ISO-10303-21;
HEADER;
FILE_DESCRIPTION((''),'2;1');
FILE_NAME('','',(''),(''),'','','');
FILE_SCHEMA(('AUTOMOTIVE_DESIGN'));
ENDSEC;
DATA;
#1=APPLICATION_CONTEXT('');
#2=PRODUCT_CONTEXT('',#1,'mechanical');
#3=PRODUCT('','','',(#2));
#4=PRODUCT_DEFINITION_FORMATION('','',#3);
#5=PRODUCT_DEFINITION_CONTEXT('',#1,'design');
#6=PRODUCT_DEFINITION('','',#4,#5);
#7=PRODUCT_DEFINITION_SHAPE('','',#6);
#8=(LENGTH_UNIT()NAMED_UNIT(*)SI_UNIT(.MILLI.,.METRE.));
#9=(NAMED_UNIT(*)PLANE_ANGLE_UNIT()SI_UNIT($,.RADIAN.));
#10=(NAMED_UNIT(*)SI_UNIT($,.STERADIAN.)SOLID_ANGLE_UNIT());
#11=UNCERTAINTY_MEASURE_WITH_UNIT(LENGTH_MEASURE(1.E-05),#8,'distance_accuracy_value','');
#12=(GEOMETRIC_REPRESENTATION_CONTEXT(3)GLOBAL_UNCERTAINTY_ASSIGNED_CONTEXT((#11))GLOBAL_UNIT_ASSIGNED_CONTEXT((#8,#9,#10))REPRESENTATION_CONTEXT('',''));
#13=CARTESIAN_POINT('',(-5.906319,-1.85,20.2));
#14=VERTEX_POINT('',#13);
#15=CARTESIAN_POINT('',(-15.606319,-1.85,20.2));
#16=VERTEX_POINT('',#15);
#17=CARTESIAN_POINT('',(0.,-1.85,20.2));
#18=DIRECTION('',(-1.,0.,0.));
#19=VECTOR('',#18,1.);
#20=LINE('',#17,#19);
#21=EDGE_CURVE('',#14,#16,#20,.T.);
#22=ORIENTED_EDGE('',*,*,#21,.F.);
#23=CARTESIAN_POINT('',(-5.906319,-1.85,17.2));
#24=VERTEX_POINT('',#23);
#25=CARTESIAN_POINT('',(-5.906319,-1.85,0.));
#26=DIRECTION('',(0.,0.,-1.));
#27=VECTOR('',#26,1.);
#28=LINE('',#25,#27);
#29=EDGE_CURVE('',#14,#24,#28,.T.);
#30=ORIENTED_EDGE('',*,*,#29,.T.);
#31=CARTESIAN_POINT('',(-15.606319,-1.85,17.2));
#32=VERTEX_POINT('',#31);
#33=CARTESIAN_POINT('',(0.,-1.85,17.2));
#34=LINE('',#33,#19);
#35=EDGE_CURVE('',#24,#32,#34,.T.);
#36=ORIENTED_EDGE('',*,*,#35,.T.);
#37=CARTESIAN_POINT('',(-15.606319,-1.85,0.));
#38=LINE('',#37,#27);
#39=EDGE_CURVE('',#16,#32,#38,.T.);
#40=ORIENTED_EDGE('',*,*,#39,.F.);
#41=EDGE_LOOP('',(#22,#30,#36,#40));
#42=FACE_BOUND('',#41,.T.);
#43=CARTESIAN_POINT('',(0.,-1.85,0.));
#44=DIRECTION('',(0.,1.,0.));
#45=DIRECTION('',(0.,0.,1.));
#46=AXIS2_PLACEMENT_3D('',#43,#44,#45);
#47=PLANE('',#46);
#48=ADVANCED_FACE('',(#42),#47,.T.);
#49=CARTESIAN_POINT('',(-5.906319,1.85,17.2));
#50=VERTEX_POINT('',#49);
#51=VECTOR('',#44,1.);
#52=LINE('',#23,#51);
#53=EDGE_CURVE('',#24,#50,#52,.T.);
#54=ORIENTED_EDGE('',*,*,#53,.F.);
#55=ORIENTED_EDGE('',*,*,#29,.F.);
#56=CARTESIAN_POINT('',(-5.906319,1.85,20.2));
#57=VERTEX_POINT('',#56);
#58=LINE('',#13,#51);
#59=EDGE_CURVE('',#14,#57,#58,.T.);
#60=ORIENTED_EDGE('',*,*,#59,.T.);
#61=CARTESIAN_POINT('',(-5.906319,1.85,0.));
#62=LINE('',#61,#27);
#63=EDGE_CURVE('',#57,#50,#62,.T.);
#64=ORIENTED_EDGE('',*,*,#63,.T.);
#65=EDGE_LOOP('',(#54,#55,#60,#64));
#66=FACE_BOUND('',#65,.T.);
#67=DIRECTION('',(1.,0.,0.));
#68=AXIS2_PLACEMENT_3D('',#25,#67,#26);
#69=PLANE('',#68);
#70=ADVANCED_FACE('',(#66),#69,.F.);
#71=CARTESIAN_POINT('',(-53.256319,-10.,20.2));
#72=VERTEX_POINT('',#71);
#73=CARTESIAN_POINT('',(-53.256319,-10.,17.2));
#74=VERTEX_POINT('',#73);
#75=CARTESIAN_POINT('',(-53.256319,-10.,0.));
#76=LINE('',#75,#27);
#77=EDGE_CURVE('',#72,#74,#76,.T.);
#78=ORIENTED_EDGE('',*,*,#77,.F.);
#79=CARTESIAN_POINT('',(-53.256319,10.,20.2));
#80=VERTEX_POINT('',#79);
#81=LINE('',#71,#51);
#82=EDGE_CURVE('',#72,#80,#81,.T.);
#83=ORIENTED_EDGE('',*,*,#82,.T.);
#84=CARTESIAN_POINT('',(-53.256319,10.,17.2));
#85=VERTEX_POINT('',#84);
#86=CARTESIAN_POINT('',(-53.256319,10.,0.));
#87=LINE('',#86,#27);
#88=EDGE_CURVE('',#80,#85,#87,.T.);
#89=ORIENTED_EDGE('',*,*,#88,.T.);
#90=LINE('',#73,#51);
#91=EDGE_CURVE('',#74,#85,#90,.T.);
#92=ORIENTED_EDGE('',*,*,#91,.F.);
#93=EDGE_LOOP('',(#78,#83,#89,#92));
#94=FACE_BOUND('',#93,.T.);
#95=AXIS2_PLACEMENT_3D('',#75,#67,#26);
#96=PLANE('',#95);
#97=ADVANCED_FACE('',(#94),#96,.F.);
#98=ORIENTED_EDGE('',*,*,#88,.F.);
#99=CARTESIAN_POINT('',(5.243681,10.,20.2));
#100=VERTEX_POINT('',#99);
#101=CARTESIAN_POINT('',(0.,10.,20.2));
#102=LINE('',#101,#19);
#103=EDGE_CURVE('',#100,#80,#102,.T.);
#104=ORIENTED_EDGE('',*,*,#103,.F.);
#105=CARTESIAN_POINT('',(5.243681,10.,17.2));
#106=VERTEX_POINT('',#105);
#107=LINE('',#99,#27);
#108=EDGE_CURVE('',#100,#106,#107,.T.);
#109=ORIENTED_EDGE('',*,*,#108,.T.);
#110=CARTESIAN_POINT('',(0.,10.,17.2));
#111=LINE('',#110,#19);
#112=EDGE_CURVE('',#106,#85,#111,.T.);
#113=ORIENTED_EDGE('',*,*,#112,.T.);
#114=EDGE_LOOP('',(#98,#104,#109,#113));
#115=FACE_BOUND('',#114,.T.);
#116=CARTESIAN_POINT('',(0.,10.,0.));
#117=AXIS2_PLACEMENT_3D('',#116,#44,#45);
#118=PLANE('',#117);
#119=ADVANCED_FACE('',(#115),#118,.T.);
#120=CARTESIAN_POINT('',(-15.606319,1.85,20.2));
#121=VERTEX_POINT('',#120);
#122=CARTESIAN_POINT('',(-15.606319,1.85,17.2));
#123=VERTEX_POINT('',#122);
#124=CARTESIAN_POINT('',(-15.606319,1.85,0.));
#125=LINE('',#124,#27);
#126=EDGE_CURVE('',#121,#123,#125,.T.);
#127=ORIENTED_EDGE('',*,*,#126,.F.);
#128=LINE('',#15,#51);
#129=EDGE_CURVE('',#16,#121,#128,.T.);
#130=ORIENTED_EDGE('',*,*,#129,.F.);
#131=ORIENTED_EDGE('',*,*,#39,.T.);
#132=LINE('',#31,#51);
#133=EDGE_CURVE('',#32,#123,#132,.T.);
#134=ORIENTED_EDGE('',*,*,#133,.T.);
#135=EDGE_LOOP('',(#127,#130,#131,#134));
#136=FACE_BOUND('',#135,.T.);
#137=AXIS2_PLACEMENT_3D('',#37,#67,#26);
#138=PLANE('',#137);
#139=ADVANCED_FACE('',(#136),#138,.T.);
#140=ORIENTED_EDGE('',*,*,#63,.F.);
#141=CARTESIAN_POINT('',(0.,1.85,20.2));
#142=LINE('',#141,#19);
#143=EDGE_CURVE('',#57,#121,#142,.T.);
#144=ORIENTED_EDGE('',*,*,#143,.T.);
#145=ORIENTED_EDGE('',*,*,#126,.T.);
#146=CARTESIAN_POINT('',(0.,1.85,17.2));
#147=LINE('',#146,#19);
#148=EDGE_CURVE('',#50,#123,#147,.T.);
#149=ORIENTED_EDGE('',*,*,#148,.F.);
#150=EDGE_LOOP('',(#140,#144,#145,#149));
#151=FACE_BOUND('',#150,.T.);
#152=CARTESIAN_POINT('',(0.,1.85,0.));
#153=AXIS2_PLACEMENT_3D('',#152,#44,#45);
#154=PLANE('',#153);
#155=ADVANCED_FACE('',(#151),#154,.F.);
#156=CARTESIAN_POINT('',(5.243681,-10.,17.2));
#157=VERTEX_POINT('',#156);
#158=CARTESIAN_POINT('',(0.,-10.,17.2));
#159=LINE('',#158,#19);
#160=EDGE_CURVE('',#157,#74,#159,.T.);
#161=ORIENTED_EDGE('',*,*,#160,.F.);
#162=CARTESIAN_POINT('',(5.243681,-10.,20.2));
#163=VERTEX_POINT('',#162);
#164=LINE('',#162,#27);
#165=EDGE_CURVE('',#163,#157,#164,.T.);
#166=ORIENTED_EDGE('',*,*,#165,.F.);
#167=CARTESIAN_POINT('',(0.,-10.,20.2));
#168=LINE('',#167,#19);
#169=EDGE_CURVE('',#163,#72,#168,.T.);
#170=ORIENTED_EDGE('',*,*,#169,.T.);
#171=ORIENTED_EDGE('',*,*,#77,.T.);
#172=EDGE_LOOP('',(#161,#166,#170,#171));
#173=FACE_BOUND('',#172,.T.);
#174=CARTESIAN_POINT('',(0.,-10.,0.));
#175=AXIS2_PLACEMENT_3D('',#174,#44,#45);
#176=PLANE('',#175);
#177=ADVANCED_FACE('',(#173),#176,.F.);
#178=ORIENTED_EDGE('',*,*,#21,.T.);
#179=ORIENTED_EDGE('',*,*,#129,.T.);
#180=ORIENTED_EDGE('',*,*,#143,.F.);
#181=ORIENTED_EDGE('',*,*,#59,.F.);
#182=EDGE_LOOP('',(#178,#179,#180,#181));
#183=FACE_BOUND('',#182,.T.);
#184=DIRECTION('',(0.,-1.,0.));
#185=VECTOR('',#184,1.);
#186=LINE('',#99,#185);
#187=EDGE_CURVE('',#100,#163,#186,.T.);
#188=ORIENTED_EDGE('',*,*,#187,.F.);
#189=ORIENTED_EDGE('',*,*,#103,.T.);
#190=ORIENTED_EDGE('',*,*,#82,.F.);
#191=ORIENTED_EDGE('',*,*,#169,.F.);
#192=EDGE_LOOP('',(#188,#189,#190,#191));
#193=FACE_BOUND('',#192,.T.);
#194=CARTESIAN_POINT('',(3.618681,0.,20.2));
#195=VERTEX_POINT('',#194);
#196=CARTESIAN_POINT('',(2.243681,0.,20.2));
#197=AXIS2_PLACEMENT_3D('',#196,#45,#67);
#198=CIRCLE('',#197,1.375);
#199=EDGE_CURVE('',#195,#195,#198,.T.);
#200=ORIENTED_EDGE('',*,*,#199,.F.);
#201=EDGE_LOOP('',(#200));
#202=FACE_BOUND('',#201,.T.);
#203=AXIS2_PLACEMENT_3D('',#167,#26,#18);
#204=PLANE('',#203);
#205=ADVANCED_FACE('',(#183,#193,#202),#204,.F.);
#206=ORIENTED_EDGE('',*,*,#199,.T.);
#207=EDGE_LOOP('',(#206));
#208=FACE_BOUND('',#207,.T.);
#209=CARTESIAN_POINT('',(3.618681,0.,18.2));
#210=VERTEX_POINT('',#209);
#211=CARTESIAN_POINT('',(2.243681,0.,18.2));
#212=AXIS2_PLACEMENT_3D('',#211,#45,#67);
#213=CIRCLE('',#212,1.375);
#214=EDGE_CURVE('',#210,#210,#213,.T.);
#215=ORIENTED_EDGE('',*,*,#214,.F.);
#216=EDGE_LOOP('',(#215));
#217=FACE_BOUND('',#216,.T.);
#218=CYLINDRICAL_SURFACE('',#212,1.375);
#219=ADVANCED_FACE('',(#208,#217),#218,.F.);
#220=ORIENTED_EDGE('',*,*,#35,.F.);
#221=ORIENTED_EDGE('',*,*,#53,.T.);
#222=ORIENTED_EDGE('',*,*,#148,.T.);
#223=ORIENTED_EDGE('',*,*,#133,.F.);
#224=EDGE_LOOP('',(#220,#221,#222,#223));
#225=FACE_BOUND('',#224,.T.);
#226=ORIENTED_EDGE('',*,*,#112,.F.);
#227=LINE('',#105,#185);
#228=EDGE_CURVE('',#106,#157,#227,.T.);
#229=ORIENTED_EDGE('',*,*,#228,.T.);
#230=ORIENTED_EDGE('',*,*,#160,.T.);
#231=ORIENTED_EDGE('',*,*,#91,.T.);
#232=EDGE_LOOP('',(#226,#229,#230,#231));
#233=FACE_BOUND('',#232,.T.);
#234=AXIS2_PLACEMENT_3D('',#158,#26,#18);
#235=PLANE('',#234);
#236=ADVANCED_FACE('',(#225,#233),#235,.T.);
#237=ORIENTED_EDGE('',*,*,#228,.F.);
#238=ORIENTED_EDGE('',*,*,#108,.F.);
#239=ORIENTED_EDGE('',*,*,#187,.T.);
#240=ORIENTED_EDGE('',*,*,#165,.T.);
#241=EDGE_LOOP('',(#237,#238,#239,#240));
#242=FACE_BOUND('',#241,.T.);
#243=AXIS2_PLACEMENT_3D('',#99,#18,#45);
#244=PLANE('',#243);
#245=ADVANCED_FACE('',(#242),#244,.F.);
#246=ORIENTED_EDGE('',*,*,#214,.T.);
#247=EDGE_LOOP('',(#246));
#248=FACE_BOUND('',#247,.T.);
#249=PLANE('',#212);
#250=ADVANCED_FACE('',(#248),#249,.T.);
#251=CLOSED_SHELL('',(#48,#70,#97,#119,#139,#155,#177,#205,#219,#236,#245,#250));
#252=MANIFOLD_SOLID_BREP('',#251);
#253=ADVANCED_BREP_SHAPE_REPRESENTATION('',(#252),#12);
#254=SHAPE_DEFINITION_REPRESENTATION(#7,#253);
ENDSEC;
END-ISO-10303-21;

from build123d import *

# Parameters (mm, degrees)
EXTRUDE_1_DEPTH      = 10
EXTRUDE_1_DEPTH_BACK = 10
SKETCH_1_W           = 58.5
SKETCH_1_H           = 3
SKETCH_1_3_W         = 9.7
SKETCH_1_3_H         = 3
CUT_EXTRUDE_1_DEPTH  = 1.85
SKETCH_2_R           = 1.375
CUT_EXTRUDE_2_DEPTH  = 2


with BuildPart() as part:
    # 草圖1 → 填料-伸長1 (new, two sides: drawn at the far end of the back side and taken through both)
    with BuildSketch(Plane(origin=(0, 0, 0), x_dir=(1, 0, 0), z_dir=(0, 1, 0)).offset(-EXTRUDE_1_DEPTH_BACK)):
        with Locations((-24.00631853, -18.7)):
            Rectangle(SKETCH_1_W, SKETCH_1_H)
    extrude(amount=EXTRUDE_1_DEPTH + EXTRUDE_1_DEPTH_BACK)

    # 草圖1<3> → 除料-伸長1 (cut, symmetric)
    with BuildSketch(Plane(origin=(0, 0, 0), x_dir=(1, 0, 0), z_dir=(0, 1, 0))):
        with Locations((-10.75631853, -18.7)):
            Rectangle(SKETCH_1_3_W, SKETCH_1_3_H)
    extrude(amount=CUT_EXTRUDE_1_DEPTH, both=True, mode=Mode.SUBTRACT)

    # 草圖2 → 除料-伸長2 (cut)
    with BuildSketch(Plane.XY.offset(20.2)):
        with Locations((2.24368147, 0)):
            Circle(SKETCH_2_R)
    extrude(amount=-CUT_EXTRUDE_2_DEPTH, mode=Mode.SUBTRACT)


solid = part.part
